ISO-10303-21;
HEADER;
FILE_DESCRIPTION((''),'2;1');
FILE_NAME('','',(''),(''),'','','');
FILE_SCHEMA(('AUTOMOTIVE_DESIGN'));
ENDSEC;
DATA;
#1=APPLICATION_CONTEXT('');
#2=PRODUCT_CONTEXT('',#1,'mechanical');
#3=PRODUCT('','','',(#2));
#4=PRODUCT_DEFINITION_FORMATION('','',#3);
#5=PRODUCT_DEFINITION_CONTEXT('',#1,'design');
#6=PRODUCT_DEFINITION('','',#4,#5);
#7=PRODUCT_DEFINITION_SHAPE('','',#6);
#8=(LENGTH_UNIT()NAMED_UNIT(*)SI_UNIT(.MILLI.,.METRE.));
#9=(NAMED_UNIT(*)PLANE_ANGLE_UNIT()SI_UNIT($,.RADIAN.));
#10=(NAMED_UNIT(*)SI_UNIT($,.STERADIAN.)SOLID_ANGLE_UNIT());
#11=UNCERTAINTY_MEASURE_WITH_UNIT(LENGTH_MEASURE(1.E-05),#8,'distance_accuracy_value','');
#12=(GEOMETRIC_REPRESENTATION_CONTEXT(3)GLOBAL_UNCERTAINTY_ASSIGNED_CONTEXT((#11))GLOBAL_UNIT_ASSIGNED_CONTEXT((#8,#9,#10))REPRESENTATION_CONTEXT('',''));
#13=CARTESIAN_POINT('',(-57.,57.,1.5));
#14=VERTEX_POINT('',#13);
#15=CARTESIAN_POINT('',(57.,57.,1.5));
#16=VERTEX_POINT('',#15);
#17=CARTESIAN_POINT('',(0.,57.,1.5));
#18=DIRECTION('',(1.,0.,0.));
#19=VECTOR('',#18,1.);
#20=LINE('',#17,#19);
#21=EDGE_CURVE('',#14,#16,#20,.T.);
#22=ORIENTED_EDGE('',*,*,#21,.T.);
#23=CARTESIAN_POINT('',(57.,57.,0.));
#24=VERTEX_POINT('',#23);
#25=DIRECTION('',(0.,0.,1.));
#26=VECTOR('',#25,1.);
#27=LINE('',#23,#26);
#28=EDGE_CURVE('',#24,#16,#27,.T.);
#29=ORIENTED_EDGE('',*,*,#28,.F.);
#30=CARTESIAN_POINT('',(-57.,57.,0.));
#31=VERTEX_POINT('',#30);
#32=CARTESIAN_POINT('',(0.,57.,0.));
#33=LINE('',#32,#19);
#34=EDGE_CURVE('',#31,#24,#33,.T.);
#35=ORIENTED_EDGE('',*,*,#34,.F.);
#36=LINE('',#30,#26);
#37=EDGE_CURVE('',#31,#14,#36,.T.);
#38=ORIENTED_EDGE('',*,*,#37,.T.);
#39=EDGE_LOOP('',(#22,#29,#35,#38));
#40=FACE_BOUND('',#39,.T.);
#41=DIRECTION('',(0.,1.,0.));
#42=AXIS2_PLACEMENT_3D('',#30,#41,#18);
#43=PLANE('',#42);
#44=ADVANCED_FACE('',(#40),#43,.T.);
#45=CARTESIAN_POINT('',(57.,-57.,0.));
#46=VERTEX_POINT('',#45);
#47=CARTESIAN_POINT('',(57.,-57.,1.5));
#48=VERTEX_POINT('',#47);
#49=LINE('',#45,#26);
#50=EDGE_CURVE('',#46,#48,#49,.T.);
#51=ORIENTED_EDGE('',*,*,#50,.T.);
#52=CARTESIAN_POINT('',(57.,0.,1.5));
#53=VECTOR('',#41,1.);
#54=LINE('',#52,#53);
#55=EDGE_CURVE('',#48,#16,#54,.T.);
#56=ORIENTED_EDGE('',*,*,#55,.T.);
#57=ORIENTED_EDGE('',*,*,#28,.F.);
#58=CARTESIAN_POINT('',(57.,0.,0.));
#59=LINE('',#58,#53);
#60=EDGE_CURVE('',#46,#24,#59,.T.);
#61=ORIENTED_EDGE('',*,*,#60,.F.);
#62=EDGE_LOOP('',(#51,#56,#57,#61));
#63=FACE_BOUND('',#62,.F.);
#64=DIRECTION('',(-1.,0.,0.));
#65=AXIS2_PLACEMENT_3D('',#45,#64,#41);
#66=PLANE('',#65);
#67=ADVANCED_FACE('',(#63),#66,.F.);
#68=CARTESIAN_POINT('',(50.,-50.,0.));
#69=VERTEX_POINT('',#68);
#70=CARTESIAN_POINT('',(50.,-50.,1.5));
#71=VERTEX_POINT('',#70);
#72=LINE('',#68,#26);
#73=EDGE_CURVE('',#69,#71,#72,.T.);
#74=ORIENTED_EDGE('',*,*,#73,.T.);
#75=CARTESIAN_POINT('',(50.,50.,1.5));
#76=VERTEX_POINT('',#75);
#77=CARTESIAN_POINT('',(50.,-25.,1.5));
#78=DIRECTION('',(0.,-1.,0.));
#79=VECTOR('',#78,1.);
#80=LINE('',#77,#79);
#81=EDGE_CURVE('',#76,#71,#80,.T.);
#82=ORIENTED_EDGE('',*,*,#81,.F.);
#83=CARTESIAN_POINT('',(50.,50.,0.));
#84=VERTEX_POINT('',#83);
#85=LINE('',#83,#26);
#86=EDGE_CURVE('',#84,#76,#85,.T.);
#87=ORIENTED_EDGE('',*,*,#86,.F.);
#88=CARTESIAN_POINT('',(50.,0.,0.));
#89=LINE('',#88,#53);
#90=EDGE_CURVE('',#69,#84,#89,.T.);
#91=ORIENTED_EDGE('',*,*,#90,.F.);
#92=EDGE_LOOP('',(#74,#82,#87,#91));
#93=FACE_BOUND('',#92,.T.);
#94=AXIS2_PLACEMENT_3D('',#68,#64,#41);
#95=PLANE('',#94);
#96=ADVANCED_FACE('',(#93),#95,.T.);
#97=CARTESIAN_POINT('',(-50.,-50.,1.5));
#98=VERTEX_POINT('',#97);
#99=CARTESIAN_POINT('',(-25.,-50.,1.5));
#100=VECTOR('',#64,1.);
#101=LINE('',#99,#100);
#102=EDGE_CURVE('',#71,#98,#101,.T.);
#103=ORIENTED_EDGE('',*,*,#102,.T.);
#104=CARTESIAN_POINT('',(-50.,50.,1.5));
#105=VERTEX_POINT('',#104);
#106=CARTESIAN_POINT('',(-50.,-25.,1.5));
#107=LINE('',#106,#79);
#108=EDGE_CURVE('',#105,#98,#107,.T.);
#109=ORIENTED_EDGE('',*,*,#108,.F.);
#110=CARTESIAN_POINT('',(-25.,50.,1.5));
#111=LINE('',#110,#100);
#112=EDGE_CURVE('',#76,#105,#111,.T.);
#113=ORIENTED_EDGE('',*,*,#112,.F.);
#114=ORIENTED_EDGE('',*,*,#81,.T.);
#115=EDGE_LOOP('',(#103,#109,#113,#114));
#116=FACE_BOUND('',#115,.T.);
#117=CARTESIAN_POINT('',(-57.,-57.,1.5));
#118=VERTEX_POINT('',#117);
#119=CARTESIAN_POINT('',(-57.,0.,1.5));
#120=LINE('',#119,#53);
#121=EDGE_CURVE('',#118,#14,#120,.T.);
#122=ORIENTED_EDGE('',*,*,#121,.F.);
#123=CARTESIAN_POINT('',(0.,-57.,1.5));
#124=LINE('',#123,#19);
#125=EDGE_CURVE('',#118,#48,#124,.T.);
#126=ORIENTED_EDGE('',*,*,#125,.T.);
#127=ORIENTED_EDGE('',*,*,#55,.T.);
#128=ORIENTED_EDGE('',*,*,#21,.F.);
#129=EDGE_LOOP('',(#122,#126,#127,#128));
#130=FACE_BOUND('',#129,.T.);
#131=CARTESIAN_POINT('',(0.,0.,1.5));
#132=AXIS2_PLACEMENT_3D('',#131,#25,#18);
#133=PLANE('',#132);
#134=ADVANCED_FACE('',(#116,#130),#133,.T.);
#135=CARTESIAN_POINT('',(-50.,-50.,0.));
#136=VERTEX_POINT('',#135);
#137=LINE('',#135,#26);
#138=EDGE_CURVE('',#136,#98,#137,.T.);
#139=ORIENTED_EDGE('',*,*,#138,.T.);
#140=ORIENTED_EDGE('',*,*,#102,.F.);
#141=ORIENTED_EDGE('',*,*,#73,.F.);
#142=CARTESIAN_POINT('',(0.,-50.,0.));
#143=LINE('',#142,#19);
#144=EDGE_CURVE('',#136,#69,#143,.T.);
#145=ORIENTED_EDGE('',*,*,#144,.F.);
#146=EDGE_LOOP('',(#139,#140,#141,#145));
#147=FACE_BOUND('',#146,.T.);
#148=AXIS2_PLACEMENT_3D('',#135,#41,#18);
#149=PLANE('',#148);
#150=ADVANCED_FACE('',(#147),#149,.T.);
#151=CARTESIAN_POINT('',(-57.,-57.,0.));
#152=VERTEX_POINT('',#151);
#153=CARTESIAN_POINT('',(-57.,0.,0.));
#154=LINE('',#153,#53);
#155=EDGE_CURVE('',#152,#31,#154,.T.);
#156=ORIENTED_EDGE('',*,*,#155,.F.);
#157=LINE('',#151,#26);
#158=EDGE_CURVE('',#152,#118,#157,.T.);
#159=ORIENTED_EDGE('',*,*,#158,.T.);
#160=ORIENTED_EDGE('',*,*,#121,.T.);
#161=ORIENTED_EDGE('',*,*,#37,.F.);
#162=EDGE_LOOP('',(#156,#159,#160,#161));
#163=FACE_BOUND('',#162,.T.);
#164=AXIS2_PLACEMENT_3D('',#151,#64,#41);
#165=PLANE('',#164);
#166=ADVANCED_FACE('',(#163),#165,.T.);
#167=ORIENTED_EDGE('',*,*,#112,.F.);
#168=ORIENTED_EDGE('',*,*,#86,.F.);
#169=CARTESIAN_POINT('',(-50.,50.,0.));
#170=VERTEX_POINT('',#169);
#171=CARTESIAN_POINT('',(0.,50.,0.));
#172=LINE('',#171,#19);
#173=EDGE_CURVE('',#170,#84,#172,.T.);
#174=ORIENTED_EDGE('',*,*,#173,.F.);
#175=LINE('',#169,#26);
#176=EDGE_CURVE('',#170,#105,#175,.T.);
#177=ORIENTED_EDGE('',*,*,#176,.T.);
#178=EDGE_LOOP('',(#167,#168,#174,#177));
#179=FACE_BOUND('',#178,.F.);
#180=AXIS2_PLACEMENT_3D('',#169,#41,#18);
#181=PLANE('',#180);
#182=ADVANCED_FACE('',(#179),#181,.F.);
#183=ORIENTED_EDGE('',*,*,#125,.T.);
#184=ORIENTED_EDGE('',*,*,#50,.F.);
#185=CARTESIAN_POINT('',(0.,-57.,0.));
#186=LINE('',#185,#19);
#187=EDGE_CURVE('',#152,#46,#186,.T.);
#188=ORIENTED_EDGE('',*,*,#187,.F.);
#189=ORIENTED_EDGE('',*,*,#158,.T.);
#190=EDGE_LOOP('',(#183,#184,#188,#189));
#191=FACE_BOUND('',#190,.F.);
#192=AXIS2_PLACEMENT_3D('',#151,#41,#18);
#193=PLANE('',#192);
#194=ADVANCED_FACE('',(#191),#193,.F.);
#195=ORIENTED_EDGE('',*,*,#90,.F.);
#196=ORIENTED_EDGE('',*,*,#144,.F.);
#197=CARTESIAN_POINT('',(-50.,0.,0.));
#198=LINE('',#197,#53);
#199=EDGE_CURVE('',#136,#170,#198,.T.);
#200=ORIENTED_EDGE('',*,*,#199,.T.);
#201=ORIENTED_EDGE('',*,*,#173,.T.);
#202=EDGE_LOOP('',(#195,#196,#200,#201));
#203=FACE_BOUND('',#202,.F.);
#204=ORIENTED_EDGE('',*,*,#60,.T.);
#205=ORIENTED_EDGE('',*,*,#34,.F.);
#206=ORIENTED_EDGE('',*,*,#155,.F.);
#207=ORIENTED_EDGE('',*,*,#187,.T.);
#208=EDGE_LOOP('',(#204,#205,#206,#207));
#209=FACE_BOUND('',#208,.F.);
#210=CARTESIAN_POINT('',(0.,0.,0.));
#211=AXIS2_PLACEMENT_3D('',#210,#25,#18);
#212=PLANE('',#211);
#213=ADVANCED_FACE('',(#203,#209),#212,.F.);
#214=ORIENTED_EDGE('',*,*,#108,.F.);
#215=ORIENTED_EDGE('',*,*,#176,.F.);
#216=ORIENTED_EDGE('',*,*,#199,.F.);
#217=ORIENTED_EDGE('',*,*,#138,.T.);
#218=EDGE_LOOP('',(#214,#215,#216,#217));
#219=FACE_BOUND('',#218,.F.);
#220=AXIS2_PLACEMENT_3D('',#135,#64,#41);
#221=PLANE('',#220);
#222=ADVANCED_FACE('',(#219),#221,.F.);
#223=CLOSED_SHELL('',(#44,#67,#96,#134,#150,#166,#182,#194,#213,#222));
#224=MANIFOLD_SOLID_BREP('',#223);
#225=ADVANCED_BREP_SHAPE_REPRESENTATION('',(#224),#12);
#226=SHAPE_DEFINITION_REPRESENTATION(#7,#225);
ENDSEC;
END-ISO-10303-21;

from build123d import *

# Parameters (mm, degrees)
F0_W     = 114
F0_H     = 114
F1_DEPTH = 1.5
F2_W     = 100
F2_H     = 100
F3_DEPTH = 1.501


with BuildPart() as f1:
    # F0 (on Top) → F1 (new body)
    with BuildSketch(Plane.XY):
        Rectangle(F0_W, F0_H)
    extrude(amount=F1_DEPTH)

    # F2 (on Top) → F3 (cut, through all)
    with BuildSketch(Plane.XY):
        Rectangle(F2_W, F2_H)
    extrude(amount=F3_DEPTH, mode=Mode.SUBTRACT)


solid = f1.part
